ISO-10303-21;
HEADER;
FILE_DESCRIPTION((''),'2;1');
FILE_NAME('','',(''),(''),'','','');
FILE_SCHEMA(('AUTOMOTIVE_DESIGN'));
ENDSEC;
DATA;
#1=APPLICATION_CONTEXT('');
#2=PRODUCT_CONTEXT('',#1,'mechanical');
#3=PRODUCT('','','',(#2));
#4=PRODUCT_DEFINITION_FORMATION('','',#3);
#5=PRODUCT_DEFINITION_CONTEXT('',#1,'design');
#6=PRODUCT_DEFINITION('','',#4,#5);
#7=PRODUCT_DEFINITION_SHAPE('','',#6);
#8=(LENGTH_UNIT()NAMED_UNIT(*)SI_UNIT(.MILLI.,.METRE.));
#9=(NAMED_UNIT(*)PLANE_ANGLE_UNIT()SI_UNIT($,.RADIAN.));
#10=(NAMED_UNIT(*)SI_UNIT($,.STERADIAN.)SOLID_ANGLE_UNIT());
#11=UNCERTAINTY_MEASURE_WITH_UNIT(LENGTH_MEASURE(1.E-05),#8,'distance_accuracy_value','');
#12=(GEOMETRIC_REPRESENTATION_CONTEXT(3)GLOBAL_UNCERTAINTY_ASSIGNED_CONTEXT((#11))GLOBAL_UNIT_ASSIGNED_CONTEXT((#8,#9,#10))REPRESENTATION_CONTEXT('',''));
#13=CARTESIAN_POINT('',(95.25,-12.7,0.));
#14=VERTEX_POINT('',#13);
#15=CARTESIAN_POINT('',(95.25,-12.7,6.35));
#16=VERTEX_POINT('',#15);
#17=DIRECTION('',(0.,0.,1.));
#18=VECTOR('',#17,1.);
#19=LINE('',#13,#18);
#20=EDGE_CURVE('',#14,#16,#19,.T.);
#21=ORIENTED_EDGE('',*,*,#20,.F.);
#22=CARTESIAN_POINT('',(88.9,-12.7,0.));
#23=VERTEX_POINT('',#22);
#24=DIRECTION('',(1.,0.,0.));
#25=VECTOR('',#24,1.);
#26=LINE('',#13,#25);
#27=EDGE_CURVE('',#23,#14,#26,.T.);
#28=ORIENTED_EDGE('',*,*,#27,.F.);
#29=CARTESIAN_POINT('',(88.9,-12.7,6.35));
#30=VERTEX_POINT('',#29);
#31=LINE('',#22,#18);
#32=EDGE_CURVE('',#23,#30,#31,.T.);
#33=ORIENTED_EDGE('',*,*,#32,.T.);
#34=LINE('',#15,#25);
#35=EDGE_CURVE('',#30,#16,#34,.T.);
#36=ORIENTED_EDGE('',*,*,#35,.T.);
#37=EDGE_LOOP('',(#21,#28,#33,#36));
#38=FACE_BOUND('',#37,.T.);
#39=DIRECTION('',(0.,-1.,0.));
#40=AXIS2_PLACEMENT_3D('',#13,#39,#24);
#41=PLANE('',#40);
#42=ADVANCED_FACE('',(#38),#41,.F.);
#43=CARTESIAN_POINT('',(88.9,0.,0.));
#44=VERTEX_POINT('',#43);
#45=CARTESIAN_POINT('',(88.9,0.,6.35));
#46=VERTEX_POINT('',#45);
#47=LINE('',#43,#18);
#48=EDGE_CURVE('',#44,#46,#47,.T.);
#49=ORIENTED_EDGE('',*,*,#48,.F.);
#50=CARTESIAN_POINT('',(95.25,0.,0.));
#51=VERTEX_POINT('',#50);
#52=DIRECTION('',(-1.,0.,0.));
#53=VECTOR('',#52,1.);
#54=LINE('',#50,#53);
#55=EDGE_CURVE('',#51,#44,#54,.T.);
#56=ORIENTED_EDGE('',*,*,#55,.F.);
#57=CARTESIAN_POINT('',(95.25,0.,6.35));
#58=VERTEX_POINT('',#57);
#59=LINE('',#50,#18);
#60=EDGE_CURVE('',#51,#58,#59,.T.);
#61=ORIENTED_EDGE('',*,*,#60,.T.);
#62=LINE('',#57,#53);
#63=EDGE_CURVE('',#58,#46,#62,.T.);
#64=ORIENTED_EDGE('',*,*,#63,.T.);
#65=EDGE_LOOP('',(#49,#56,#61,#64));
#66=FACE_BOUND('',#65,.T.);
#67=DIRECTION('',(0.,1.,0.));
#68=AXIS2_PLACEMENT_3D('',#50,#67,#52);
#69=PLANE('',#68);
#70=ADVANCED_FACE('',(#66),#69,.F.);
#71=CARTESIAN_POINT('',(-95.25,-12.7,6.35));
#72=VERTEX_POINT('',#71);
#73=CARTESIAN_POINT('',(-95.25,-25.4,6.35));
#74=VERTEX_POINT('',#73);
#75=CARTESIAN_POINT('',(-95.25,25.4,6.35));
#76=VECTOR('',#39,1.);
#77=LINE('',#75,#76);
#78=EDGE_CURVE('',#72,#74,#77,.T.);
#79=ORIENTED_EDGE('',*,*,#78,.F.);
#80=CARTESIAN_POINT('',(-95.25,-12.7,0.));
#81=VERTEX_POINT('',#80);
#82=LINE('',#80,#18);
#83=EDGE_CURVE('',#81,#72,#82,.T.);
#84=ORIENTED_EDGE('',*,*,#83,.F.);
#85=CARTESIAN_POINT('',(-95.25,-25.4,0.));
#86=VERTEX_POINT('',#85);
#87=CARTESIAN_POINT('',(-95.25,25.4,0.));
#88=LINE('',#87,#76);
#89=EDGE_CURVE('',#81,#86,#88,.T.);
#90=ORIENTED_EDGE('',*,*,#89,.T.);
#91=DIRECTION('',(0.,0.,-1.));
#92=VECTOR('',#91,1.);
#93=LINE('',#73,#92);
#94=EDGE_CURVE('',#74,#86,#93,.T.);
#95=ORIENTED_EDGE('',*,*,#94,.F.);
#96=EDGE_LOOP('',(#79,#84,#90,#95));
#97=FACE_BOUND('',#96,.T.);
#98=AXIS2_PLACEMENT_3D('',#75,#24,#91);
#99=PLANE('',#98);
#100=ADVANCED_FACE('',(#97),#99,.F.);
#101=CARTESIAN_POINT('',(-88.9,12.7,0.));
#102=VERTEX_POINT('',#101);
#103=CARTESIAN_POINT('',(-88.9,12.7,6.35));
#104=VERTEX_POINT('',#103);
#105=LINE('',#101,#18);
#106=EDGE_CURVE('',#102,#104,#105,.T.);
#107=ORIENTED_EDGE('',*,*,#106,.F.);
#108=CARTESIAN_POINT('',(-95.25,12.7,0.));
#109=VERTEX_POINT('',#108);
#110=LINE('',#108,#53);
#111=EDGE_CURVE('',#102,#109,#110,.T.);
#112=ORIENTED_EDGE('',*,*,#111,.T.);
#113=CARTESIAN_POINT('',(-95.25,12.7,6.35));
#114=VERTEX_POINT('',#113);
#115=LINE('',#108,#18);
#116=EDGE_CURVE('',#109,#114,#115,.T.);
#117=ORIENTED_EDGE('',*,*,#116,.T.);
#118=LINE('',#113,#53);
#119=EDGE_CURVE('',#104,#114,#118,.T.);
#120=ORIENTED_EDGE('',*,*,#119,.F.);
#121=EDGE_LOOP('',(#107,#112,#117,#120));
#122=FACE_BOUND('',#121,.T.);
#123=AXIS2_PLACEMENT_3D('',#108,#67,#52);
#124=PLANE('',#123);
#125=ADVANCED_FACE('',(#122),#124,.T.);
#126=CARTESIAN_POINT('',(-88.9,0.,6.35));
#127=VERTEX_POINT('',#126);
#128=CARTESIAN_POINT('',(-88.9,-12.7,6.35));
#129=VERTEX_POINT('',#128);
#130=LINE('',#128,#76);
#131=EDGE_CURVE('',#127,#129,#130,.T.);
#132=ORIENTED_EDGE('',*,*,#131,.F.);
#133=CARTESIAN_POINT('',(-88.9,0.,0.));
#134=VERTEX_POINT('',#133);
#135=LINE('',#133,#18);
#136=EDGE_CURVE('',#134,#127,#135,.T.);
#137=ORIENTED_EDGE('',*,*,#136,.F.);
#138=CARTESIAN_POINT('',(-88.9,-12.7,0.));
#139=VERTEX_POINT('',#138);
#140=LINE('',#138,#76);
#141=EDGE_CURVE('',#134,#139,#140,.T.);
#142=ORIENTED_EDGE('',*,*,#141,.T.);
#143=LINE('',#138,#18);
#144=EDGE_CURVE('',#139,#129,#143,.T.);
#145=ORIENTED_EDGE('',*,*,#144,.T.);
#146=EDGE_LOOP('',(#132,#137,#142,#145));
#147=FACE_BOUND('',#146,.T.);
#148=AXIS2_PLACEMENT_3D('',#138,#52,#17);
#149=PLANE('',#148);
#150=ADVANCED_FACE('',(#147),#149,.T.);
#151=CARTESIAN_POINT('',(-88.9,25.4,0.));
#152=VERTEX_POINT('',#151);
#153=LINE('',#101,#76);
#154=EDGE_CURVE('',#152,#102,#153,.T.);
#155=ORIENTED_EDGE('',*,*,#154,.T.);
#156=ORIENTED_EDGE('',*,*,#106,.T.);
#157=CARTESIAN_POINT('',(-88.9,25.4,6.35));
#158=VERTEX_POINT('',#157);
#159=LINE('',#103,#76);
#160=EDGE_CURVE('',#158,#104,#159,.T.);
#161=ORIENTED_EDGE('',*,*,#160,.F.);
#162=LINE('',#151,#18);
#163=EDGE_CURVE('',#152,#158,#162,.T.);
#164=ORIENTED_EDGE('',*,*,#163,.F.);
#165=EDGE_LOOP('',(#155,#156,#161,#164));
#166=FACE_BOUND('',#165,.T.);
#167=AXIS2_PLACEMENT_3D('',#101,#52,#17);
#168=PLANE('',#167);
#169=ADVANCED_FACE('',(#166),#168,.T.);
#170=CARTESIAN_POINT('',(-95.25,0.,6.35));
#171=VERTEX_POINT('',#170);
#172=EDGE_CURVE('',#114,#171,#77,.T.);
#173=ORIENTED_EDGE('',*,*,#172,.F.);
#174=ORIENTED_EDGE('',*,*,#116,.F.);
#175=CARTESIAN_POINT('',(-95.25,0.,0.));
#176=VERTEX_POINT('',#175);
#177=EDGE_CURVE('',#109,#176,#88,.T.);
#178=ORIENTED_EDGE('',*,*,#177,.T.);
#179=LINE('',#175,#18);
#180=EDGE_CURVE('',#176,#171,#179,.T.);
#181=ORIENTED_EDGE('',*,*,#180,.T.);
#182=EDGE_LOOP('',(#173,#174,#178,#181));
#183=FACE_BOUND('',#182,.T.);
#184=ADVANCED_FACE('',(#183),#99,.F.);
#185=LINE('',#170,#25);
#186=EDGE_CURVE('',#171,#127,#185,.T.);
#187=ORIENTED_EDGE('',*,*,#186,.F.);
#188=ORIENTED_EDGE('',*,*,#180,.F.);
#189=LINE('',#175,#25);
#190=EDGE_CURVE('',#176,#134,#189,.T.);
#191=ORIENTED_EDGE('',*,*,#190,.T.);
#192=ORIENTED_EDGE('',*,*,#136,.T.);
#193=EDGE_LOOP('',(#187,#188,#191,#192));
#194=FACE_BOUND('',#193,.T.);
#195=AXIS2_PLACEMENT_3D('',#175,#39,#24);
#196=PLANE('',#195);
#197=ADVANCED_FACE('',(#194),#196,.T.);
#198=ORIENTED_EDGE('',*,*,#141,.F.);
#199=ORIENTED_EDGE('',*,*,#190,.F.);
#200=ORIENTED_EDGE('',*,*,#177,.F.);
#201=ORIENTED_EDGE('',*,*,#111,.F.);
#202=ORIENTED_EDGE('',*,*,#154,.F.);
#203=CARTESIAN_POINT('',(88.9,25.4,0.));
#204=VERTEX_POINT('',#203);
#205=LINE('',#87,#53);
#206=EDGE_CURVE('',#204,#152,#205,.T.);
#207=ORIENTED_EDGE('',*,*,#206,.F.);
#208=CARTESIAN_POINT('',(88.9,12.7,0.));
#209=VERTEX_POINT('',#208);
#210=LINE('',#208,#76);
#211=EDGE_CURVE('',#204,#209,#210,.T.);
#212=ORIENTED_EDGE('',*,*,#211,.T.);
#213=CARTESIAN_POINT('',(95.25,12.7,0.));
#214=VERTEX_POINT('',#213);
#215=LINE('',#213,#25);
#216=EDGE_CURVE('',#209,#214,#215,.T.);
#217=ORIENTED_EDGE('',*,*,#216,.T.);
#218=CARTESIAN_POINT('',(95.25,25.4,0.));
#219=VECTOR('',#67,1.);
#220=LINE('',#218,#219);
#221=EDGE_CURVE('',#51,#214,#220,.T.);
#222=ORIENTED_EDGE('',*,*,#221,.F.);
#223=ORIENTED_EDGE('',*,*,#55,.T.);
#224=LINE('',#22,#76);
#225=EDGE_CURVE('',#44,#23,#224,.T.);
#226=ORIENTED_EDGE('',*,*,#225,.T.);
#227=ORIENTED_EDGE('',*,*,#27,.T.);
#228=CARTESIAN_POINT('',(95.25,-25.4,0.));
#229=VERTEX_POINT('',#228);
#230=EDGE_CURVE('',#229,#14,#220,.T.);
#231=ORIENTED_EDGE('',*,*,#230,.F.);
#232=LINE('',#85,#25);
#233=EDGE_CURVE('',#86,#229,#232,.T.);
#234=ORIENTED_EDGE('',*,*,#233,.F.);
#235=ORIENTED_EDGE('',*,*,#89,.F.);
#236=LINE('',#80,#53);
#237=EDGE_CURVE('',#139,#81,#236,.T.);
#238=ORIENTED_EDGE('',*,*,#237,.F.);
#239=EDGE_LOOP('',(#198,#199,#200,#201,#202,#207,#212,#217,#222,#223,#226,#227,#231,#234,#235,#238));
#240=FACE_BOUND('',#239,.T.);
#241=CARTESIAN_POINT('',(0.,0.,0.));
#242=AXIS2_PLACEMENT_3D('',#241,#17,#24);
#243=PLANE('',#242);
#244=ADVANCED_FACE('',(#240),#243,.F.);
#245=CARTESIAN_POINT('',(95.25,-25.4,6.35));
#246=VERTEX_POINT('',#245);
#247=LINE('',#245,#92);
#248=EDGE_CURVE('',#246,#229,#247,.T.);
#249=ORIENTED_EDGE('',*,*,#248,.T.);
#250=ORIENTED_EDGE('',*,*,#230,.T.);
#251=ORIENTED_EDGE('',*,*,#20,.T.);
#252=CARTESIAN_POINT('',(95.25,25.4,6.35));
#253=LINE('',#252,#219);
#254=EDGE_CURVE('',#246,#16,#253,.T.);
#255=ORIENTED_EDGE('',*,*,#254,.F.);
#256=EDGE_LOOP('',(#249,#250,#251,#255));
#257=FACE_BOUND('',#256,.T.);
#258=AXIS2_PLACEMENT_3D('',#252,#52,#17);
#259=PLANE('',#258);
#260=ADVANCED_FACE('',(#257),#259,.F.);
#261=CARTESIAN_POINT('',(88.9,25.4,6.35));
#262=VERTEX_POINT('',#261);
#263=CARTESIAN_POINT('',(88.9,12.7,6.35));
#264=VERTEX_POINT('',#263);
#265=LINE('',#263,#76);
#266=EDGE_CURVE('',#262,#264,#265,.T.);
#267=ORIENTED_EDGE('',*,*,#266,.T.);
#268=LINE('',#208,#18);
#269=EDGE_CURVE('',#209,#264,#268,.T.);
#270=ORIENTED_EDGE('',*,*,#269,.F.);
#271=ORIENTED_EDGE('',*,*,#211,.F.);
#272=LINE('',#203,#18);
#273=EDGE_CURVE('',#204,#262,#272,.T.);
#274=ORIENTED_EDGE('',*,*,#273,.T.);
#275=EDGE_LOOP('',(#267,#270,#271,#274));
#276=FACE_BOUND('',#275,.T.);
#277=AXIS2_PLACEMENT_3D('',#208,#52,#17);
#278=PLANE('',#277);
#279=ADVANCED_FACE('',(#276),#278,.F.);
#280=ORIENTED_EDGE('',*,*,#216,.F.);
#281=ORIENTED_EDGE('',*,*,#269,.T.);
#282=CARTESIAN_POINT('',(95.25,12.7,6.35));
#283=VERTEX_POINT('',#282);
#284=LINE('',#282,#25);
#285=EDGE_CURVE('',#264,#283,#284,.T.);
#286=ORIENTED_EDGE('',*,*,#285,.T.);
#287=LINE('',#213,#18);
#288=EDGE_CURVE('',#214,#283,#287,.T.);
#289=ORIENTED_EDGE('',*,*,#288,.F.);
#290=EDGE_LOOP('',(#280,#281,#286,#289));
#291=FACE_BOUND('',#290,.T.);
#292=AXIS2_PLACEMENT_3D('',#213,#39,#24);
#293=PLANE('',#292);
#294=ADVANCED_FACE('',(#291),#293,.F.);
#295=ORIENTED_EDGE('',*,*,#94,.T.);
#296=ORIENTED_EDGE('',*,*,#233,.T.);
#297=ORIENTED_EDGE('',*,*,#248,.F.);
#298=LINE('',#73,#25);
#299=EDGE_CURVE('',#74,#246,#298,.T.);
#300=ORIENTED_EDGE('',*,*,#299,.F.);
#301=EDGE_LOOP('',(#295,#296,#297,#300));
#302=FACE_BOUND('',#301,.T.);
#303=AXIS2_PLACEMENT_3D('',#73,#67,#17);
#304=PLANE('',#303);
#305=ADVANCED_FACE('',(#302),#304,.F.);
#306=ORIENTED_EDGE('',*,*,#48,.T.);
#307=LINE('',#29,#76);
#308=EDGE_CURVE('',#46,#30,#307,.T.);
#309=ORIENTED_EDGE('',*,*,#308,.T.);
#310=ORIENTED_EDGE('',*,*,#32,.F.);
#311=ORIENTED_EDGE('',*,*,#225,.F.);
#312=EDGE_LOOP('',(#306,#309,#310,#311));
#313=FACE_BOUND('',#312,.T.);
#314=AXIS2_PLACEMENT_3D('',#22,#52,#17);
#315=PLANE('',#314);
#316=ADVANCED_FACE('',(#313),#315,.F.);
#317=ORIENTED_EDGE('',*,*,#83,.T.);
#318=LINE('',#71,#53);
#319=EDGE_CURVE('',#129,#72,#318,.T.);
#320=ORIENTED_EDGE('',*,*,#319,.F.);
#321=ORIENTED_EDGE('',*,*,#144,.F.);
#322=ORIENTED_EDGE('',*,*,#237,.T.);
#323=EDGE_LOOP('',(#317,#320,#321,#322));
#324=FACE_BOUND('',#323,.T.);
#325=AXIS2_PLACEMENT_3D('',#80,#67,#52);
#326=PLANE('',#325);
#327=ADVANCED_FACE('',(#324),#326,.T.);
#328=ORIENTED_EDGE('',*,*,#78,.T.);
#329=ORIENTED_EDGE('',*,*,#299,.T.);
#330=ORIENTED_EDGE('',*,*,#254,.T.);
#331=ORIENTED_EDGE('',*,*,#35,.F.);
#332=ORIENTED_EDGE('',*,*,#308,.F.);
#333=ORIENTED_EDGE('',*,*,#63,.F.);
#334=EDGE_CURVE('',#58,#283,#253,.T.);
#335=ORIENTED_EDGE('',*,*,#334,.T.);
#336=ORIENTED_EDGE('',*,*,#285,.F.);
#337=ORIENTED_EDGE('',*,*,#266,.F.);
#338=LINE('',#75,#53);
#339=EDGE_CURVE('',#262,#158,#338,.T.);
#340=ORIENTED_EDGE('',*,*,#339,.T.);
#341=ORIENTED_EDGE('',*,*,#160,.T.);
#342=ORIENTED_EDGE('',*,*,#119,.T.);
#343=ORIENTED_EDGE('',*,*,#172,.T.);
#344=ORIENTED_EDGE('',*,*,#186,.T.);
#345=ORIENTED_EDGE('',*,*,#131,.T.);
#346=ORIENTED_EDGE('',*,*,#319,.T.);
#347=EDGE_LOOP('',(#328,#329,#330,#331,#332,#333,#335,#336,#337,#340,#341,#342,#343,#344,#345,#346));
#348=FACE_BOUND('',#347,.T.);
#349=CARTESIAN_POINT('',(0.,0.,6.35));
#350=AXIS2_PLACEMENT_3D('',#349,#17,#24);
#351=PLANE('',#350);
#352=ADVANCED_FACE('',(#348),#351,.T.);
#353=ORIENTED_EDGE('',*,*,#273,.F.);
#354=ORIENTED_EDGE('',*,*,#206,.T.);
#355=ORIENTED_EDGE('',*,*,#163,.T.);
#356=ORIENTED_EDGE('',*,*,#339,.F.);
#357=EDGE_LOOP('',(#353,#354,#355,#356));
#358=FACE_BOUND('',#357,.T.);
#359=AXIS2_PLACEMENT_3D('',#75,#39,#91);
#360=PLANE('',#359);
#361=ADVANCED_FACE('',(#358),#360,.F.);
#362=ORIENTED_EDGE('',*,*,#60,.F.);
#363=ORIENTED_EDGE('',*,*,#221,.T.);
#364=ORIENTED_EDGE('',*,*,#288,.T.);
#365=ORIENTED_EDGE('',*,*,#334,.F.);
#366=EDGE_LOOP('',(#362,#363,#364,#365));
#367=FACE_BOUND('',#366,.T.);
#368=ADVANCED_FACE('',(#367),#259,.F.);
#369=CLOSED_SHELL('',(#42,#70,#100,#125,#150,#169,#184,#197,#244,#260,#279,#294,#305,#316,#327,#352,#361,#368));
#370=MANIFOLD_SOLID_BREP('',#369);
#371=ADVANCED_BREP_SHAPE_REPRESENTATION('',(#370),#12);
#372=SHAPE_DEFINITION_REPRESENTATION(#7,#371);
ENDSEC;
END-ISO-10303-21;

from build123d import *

# Parameters (mm, degrees)
SKETCH1_W               = 190.5
SKETCH1_H               = 50.8
BOSS_EXTRUDE1_DEPTH     = 6.35
SKETCH2_W               = 6.35
SKETCH2_H               = 12.7
CUT_EXTRUDE1_DEPTH      = 7.35
LPATTERN1_COUNT         = 2
LPATTERN1_PITCH         = 25.4
MIRROR1_COPY_1_SKETCH_W = 6.35
MIRROR1_COPY_1_SKETCH_H = 12.7
MIRROR1_COPY_1_DEPTH    = 7.35


with BuildPart() as part:
    # Sketch1 → Boss-Extrude1 (new body)
    with BuildSketch(Plane.XY):
        Rectangle(SKETCH1_W, SKETCH1_H)
    extrude(amount=BOSS_EXTRUDE1_DEPTH)

    # Sketch2 → Cut-Extrude1 (cut, through all)
    with BuildSketch(Plane.XY.offset(6.35)):
        with Locations((92.075, -6.35)):
            Rectangle(SKETCH2_W, SKETCH2_H)
    cut_extrude1 = extrude(amount=-CUT_EXTRUDE1_DEPTH, mode=Mode.SUBTRACT)

    # LPattern1: Cut-Extrude1 ×2
    with Locations(*[(0, i * LPATTERN1_PITCH, 0) for i in range(1, LPATTERN1_COUNT)]):
        add(cut_extrude1, mode=Mode.SUBTRACT)

    # Mirror1: Cut-Extrude1 across plane
    add(cut_extrude1.mirror(Plane(origin=(0, 0, 0), x_dir=(0, 0, 1), z_dir=(1, 0, 0))), mode=Mode.SUBTRACT)

    # Mirror1 copy 1 sketch → Mirror1 copy 1 (cut, through all)
    with BuildSketch(Plane(origin=(0, 25.4, 6.35), x_dir=(-1, 0, 0), z_dir=(0, 0, 1))):
        with Locations((92.075, 6.35)):
            Rectangle(MIRROR1_COPY_1_SKETCH_W, MIRROR1_COPY_1_SKETCH_H)
    extrude(amount=-MIRROR1_COPY_1_DEPTH, mode=Mode.SUBTRACT)


solid = part.part
